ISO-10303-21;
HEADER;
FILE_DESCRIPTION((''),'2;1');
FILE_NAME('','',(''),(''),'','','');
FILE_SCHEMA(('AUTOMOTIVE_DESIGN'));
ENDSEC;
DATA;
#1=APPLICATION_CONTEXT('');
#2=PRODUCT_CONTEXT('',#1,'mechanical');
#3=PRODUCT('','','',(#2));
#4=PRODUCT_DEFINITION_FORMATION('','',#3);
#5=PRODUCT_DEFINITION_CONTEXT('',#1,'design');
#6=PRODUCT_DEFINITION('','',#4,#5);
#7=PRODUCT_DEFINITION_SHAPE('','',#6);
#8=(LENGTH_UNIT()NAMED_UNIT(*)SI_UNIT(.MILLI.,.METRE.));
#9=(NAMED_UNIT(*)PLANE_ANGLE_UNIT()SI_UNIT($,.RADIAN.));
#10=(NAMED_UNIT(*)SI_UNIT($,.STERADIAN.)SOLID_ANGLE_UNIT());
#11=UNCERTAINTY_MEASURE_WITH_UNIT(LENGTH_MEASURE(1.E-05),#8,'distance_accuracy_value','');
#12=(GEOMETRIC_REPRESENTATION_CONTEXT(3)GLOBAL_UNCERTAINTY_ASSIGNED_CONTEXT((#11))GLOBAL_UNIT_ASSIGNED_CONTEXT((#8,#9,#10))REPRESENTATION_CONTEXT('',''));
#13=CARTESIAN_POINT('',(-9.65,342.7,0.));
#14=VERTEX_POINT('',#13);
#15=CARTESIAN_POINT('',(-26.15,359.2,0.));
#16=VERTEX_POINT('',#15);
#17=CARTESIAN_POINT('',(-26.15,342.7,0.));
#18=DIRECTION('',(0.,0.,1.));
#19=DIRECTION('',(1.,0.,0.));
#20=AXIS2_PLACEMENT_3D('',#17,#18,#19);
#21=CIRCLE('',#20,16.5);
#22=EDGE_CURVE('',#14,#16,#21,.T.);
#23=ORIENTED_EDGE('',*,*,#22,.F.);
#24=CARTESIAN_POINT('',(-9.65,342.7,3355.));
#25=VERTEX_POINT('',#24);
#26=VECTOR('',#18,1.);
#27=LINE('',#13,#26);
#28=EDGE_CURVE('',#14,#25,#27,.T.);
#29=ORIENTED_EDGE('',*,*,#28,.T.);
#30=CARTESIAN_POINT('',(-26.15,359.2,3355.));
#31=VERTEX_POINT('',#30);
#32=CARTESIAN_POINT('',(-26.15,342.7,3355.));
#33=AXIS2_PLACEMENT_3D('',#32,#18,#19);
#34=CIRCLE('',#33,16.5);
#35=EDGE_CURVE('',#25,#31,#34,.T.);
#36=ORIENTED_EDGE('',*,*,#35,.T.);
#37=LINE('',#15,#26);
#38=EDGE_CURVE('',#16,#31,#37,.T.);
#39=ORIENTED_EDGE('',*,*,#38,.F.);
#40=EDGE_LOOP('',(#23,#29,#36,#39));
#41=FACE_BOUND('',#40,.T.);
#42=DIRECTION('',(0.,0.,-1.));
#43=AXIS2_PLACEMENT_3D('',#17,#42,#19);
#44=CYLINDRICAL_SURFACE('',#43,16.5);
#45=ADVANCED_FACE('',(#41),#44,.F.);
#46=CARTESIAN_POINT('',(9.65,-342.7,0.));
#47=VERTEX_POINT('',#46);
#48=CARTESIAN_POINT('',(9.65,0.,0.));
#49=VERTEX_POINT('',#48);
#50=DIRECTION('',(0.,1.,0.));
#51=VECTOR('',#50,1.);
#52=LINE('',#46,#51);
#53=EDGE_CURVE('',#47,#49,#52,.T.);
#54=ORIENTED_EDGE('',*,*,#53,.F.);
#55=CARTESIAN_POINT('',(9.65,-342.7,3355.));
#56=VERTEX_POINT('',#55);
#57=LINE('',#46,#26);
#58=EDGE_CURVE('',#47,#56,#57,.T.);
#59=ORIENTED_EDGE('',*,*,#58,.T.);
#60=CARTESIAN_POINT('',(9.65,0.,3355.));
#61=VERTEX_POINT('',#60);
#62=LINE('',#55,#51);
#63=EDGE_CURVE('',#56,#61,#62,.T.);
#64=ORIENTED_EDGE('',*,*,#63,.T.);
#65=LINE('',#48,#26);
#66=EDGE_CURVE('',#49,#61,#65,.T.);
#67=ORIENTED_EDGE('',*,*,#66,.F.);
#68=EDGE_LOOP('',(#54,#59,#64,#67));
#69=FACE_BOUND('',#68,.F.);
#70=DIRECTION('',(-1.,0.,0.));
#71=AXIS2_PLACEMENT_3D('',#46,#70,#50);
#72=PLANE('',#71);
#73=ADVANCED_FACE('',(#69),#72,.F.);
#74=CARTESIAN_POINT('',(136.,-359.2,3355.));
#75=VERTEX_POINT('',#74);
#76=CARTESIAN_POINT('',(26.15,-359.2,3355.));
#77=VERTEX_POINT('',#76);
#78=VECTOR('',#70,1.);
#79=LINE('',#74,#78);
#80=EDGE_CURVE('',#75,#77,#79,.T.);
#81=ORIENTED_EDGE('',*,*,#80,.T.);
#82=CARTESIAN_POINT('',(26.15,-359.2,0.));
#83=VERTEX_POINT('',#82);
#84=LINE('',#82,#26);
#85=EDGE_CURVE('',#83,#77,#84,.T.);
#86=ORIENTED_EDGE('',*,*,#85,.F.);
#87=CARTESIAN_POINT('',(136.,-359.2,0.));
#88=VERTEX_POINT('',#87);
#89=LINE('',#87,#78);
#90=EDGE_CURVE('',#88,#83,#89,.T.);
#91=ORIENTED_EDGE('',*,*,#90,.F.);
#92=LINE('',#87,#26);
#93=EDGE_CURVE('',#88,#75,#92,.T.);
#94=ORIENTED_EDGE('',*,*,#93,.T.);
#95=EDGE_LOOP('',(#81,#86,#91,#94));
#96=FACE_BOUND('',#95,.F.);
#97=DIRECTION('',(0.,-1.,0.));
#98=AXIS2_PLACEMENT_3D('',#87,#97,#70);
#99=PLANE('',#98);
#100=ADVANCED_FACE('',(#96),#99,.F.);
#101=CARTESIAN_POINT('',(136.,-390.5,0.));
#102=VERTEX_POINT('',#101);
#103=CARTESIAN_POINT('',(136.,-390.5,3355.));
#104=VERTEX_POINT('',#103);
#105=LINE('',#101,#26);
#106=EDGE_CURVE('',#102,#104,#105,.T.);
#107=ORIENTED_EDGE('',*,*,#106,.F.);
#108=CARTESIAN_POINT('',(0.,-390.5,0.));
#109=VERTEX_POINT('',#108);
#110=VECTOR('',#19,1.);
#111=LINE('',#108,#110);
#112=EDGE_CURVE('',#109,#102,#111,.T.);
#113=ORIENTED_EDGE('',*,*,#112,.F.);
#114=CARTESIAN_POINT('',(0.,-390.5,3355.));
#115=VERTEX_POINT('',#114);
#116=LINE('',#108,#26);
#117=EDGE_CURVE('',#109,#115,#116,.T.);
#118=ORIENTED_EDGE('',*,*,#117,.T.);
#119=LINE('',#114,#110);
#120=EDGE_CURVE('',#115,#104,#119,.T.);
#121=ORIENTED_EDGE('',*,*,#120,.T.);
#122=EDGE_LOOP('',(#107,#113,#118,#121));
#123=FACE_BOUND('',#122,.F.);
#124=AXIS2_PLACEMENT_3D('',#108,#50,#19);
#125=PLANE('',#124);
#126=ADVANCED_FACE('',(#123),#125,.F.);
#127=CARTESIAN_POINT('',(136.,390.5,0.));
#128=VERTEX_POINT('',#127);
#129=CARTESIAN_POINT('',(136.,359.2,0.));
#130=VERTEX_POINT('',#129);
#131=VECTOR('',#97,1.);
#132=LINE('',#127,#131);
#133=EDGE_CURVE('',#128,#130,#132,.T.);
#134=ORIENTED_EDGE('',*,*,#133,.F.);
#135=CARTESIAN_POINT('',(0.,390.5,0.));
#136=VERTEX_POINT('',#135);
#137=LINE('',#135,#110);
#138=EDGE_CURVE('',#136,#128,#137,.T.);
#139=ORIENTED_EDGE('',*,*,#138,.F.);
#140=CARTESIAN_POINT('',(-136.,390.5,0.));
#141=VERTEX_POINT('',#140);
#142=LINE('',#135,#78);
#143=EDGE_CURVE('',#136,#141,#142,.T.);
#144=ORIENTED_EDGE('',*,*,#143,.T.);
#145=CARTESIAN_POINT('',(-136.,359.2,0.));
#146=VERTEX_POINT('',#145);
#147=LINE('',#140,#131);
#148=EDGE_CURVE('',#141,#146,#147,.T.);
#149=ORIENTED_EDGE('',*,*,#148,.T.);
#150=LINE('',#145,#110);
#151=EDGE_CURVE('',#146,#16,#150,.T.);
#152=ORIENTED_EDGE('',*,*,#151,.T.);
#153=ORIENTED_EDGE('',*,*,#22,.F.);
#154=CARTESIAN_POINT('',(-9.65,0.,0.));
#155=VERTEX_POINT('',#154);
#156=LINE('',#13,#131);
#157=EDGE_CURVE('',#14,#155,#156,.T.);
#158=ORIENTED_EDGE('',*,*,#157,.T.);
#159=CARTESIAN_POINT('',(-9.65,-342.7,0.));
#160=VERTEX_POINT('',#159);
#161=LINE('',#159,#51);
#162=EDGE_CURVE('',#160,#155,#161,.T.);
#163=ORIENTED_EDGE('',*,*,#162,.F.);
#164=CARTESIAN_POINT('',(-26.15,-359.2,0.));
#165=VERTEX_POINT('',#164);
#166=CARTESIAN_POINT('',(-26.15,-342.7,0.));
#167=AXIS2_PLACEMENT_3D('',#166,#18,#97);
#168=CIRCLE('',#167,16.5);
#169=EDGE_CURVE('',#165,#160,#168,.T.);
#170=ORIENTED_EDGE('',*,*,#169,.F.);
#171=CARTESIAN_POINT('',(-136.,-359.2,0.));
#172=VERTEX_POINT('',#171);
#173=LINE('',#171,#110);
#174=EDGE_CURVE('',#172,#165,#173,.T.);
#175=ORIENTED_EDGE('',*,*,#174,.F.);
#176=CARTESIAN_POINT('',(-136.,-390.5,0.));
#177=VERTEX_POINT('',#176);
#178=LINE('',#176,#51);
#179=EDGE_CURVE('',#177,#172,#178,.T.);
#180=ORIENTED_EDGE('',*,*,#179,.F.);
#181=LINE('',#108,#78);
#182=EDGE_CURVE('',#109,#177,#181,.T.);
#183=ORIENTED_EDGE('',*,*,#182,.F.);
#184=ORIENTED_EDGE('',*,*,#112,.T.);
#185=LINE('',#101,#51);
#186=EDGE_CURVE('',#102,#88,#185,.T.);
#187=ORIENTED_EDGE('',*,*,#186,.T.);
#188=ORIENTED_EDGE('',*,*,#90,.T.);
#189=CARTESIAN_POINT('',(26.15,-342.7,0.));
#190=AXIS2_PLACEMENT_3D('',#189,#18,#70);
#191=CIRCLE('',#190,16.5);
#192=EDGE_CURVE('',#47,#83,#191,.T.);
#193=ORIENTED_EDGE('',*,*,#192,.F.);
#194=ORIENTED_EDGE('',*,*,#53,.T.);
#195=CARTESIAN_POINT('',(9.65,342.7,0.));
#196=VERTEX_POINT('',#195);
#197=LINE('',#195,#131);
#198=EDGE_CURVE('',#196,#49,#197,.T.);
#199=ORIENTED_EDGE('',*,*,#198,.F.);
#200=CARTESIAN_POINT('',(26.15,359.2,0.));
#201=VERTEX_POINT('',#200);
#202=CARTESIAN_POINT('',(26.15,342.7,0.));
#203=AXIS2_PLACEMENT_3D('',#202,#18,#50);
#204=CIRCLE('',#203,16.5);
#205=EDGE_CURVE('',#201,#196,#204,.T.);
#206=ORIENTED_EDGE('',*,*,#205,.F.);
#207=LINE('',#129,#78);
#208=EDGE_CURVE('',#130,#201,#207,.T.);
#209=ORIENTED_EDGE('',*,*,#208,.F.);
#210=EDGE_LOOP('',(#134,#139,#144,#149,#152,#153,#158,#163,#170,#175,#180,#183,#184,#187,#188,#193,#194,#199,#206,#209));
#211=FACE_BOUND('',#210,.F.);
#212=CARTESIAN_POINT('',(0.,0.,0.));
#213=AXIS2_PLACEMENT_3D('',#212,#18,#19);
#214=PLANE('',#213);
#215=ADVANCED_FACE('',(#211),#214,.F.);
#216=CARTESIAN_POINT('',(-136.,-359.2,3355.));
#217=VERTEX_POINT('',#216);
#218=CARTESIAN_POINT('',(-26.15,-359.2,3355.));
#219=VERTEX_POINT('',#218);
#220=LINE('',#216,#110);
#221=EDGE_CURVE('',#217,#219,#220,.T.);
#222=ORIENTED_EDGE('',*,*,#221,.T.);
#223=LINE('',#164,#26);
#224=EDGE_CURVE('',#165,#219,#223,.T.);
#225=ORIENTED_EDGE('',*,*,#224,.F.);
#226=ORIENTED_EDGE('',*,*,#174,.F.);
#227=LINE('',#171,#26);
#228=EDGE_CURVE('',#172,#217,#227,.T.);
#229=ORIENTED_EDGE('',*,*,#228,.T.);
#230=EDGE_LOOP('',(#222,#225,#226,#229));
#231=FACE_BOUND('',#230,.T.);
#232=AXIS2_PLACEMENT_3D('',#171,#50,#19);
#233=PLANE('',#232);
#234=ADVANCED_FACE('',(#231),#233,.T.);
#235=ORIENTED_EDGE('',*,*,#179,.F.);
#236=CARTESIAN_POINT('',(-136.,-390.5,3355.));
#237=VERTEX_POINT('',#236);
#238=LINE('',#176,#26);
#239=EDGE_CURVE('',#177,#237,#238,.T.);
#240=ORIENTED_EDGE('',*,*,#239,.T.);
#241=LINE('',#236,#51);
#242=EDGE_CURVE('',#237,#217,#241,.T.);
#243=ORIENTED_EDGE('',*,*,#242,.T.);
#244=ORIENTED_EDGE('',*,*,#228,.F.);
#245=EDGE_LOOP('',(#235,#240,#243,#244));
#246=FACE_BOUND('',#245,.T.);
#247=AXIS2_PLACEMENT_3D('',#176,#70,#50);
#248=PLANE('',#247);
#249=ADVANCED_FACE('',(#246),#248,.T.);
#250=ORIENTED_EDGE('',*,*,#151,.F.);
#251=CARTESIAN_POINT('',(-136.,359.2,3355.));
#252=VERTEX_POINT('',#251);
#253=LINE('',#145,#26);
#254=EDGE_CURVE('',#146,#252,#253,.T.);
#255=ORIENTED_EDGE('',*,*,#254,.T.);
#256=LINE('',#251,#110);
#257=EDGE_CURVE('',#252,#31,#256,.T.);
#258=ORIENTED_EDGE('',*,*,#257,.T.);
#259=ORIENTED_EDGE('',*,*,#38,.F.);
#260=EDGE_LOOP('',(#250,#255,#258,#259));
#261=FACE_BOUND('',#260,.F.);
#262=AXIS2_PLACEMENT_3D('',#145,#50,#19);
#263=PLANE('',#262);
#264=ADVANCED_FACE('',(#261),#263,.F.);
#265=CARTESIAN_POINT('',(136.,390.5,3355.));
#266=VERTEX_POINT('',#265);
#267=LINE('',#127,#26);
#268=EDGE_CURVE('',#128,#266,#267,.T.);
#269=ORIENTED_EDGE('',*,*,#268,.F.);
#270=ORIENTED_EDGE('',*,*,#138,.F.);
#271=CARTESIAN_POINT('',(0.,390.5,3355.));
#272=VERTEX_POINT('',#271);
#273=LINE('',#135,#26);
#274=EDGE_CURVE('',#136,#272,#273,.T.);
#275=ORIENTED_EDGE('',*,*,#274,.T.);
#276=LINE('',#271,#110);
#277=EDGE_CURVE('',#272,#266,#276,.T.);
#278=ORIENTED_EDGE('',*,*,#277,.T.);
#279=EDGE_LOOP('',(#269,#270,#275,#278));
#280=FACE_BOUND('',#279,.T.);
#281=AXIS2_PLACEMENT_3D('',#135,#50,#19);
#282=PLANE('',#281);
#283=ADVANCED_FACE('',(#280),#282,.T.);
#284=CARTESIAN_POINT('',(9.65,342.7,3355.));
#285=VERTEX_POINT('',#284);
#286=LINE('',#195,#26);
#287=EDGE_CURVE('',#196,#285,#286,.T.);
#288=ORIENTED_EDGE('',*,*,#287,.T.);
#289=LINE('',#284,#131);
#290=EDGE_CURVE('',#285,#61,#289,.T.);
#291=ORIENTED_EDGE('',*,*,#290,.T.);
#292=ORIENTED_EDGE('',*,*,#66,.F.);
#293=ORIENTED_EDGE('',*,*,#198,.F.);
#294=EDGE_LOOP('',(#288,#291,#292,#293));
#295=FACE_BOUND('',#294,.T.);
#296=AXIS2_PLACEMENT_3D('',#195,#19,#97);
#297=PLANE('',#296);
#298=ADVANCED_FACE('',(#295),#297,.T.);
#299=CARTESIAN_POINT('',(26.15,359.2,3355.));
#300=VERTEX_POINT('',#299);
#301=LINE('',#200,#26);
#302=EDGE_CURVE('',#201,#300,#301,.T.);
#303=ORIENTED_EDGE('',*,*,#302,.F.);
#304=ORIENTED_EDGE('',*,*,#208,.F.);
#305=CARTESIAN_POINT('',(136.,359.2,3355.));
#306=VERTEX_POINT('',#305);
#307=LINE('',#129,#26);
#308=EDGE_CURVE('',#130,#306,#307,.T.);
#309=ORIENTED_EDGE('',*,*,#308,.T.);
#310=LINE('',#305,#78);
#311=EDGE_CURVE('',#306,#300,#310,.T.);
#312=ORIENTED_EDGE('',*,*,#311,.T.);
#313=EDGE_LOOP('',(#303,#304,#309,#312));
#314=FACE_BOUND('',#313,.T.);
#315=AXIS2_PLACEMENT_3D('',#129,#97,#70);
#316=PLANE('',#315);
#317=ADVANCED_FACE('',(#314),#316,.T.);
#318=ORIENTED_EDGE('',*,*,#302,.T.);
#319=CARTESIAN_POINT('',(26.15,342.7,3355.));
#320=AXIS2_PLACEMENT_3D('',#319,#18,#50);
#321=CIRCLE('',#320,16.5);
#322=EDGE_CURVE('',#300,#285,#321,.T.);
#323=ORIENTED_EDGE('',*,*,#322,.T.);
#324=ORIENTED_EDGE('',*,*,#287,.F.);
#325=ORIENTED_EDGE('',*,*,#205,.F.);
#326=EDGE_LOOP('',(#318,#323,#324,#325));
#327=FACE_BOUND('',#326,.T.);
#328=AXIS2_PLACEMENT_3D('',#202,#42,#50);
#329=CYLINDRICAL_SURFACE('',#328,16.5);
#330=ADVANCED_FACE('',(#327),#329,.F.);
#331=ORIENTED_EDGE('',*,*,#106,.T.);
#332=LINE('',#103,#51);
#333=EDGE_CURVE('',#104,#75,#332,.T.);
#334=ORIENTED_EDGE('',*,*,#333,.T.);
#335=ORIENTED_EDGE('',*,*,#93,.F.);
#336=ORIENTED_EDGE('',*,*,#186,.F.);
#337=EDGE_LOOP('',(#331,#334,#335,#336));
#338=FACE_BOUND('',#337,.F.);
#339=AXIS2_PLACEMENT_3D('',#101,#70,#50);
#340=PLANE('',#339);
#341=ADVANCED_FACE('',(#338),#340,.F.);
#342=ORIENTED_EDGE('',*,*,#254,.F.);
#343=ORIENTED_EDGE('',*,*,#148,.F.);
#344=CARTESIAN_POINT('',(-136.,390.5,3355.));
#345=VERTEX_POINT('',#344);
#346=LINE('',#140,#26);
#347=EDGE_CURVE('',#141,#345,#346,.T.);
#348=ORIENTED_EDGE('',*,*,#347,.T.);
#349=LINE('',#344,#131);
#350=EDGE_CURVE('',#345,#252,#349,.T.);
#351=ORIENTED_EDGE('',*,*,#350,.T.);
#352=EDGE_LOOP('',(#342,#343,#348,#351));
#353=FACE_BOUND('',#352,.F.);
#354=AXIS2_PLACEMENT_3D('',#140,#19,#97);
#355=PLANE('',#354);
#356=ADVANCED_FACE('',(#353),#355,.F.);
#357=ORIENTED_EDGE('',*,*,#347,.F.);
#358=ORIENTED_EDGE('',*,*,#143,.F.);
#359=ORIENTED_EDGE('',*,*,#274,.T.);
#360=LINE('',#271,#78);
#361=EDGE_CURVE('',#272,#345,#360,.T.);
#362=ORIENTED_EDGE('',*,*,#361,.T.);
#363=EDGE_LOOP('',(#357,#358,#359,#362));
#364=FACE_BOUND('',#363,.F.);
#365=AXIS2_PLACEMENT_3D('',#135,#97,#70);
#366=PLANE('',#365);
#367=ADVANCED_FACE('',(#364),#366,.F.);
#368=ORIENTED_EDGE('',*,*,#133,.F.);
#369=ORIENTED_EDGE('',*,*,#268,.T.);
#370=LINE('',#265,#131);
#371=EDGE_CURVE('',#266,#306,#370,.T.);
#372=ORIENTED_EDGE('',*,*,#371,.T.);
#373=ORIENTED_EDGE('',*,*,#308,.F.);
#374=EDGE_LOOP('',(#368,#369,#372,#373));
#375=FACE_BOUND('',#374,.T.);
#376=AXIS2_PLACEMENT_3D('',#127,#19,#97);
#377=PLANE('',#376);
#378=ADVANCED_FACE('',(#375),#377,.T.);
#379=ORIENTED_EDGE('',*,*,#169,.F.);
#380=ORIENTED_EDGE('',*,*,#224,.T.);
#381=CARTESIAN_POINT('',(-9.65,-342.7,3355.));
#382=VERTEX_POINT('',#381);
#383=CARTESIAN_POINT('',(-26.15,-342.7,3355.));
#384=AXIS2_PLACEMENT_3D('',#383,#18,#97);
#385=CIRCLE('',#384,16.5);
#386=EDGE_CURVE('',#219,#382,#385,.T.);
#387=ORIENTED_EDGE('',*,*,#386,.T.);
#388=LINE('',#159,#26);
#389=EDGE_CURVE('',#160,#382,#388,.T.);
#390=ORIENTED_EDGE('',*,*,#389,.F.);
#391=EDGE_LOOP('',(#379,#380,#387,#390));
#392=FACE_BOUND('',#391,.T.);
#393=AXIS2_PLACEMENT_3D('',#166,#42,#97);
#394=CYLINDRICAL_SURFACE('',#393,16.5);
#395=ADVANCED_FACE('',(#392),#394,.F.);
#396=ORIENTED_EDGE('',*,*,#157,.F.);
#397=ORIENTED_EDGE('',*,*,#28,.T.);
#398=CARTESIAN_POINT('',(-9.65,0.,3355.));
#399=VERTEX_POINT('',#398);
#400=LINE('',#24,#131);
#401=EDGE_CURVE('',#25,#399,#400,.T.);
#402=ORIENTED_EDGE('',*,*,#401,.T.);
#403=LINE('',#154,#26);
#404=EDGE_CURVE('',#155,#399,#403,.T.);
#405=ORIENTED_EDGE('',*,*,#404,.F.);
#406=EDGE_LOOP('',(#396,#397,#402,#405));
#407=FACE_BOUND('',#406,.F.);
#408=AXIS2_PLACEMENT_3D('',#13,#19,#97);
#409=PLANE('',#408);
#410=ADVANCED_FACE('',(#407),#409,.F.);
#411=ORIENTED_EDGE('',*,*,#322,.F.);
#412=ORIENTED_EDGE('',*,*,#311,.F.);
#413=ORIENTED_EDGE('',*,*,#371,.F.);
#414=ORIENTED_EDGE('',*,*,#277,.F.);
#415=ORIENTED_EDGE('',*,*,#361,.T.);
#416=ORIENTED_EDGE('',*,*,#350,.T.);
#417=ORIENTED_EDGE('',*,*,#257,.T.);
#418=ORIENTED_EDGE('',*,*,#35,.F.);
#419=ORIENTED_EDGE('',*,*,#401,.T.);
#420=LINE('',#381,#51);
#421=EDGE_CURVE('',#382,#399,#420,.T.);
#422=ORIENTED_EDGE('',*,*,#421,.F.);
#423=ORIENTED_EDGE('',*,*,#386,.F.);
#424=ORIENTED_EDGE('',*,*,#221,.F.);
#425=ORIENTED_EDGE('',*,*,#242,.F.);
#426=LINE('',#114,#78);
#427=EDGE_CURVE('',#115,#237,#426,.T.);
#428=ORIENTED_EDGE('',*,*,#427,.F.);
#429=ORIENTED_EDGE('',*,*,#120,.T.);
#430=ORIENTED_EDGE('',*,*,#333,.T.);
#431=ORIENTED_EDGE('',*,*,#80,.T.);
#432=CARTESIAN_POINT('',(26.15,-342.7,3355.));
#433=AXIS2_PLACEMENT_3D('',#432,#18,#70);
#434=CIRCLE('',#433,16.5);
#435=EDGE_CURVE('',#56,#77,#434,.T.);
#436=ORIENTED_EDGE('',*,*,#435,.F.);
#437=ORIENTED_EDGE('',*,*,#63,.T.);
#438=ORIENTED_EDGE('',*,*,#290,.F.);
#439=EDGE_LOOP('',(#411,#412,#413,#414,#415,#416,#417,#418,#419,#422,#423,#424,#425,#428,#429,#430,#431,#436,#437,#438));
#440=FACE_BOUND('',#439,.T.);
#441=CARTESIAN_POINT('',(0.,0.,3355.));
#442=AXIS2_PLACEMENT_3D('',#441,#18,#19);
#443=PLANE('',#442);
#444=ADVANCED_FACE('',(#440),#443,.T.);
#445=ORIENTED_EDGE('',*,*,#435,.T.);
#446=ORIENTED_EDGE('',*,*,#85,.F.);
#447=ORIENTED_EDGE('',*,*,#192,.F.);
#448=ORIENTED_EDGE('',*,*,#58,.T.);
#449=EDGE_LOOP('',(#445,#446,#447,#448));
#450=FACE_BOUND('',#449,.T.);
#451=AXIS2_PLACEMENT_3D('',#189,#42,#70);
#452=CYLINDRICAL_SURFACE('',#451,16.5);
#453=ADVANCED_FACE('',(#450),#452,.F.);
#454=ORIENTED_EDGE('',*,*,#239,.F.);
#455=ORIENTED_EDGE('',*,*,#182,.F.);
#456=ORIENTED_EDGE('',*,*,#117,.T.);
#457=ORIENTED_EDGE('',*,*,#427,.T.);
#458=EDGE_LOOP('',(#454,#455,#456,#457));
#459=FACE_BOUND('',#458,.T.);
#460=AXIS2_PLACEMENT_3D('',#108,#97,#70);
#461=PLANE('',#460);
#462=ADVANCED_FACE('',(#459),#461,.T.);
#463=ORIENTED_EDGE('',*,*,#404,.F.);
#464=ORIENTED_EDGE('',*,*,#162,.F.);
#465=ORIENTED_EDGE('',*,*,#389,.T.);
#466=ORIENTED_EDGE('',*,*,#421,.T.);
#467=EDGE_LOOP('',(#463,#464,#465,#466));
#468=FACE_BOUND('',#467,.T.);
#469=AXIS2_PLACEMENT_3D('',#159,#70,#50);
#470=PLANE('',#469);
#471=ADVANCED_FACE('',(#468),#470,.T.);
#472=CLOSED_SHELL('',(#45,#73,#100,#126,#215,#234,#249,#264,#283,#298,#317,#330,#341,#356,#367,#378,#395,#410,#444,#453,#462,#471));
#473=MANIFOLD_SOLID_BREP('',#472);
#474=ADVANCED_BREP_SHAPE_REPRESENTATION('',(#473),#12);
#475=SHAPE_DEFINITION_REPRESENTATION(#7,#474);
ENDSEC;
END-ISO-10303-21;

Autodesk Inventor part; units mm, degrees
ref_plane "YZ Plane" through (0, 0, 0) normal (1, 0, 0) x (0, 1, 0)
ref_plane "Start plane" through (0, 0, 0) normal (0, 0, 1) x (1, 0, 0)
ref_plane "End plane" through (0, 0, 3355) normal (0, 0, 1) x (1, 0, 0)
sketch "Sketch" plane through (0, 0, 0) normal (0, 0, 1) x (1, 0, 0)
  line L0 (-136, -390.5) -> (-136, -359.2)
  line L1 (-136, -359.2) -> (-26.15, -359.2)
  line L2 (-9.65, -342.7) -> (-9.65, 0)
  line L3 (-9.65, 0) -> (0, 0) construction
  line L4 (0, 0) -> (0, -390.5) construction
  line L5 (0, -390.5) -> (-136, -390.5)
  line L6 (-60, 0) -> (80, 0) construction
  line L7 (0, -60) -> (0, 80) construction
  line L8 (136, -390.5) -> (136, -359.2)
  line L9 (136, -359.2) -> (26.15, -359.2)
  line L10 (9.65, -342.7) -> (9.65, 0)
  line L11 (9.65, 0) -> (0, 0) construction
  line L12 (0, -390.5) -> (136, -390.5)
  line L13 (-136, 390.5) -> (-136, 359.2)
  line L14 (-136, 359.2) -> (-26.15, 359.2)
  line L15 (-9.65, 342.7) -> (-9.65, 0)
  line L16 (0, 390.5) -> (-136, 390.5)
  line L17 (136, 390.5) -> (136, 359.2)
  line L18 (136, 359.2) -> (26.15, 359.2)
  line L19 (0, 390.5) -> (136, 390.5)
  line L20 (9.65, 342.7) -> (9.65, 0)
  arc A0 (-9.65, 342.7) -> (-26.15, 359.2) centre (-26.15, 342.7) ccw
  arc A1 (26.15, 359.2) -> (9.65, 342.7) centre (26.15, 342.7) ccw
  arc A2 (9.65, -342.7) -> (26.15, -359.2) centre (26.15, -342.7) ccw
  arc A3 (-26.15, -359.2) -> (-9.65, -342.7) centre (-26.15, -342.7) ccw
  line L21 (0, 108) -> (0, -88) construction
  line L22 (-88, 0) -> (108, 0) construction
  point P0 (-9.65, -359.2)
  point P1 (9.65, -359.2)
  point P2 (-9.65, 359.2)
  point P3 (9.65, 359.2)
  dimension "d1" = 390.5
  dimension "d2" = 31.3
  dimension "d3" = 136
  dimension "d4" = 9.65
  dimension "d10" = 16.5
extrude "Body" add sketch "Sketch" along normal up to surface (3355 mm away) from surface at 0
sketch "Sketch4" plane through (0, 0, 0) normal (0, 0, 1) x (1, 0, 0)
  line L0 (0, 0) -> (10, 0)
ref_plane "Work Plane3" through (0, 0, 0) normal (0, -1, 0) x (1, 0, 0)
sketch "Sketch5" plane through (0, 0, 0) normal (0, -1, 0) x (1, 0, 0)
  line L0 (-2, 0) -> (12, 0) projected
  line L1 (-2, 3355) -> (12, 3355) projected
  dimension "d14" = 3355
equation "\"d1\" = 0.5 * G_H"
equation "\"d2\" = G_T1"
equation "\"d3\" = 0.5 * G_W"
equation "\"d4\" = 0.5 * G_T"
equation "\"d10\" = G_IR"
equation "\"d5\" = G_L"
equation "\"G_W\" = 272"
equation "\"G_H\" = 781"
equation "\"G_T\" = 19.3"
equation "\"G_T1\" = 31.3"
equation "\"G_IR\" = 16.5"
equation "\"G_L\" = d14"
equation "\"G_OFFSET_START\" = 0"
equation "\"G_OFFSET_END\" = 0"
equation "\"d12\" = G_OFFSET_END + B_L"
equation "\"B_L\" = 3355"
properties part number "AS 3679-1990 - 760 UB - 244 - 3355" material "Steel, Mild"
